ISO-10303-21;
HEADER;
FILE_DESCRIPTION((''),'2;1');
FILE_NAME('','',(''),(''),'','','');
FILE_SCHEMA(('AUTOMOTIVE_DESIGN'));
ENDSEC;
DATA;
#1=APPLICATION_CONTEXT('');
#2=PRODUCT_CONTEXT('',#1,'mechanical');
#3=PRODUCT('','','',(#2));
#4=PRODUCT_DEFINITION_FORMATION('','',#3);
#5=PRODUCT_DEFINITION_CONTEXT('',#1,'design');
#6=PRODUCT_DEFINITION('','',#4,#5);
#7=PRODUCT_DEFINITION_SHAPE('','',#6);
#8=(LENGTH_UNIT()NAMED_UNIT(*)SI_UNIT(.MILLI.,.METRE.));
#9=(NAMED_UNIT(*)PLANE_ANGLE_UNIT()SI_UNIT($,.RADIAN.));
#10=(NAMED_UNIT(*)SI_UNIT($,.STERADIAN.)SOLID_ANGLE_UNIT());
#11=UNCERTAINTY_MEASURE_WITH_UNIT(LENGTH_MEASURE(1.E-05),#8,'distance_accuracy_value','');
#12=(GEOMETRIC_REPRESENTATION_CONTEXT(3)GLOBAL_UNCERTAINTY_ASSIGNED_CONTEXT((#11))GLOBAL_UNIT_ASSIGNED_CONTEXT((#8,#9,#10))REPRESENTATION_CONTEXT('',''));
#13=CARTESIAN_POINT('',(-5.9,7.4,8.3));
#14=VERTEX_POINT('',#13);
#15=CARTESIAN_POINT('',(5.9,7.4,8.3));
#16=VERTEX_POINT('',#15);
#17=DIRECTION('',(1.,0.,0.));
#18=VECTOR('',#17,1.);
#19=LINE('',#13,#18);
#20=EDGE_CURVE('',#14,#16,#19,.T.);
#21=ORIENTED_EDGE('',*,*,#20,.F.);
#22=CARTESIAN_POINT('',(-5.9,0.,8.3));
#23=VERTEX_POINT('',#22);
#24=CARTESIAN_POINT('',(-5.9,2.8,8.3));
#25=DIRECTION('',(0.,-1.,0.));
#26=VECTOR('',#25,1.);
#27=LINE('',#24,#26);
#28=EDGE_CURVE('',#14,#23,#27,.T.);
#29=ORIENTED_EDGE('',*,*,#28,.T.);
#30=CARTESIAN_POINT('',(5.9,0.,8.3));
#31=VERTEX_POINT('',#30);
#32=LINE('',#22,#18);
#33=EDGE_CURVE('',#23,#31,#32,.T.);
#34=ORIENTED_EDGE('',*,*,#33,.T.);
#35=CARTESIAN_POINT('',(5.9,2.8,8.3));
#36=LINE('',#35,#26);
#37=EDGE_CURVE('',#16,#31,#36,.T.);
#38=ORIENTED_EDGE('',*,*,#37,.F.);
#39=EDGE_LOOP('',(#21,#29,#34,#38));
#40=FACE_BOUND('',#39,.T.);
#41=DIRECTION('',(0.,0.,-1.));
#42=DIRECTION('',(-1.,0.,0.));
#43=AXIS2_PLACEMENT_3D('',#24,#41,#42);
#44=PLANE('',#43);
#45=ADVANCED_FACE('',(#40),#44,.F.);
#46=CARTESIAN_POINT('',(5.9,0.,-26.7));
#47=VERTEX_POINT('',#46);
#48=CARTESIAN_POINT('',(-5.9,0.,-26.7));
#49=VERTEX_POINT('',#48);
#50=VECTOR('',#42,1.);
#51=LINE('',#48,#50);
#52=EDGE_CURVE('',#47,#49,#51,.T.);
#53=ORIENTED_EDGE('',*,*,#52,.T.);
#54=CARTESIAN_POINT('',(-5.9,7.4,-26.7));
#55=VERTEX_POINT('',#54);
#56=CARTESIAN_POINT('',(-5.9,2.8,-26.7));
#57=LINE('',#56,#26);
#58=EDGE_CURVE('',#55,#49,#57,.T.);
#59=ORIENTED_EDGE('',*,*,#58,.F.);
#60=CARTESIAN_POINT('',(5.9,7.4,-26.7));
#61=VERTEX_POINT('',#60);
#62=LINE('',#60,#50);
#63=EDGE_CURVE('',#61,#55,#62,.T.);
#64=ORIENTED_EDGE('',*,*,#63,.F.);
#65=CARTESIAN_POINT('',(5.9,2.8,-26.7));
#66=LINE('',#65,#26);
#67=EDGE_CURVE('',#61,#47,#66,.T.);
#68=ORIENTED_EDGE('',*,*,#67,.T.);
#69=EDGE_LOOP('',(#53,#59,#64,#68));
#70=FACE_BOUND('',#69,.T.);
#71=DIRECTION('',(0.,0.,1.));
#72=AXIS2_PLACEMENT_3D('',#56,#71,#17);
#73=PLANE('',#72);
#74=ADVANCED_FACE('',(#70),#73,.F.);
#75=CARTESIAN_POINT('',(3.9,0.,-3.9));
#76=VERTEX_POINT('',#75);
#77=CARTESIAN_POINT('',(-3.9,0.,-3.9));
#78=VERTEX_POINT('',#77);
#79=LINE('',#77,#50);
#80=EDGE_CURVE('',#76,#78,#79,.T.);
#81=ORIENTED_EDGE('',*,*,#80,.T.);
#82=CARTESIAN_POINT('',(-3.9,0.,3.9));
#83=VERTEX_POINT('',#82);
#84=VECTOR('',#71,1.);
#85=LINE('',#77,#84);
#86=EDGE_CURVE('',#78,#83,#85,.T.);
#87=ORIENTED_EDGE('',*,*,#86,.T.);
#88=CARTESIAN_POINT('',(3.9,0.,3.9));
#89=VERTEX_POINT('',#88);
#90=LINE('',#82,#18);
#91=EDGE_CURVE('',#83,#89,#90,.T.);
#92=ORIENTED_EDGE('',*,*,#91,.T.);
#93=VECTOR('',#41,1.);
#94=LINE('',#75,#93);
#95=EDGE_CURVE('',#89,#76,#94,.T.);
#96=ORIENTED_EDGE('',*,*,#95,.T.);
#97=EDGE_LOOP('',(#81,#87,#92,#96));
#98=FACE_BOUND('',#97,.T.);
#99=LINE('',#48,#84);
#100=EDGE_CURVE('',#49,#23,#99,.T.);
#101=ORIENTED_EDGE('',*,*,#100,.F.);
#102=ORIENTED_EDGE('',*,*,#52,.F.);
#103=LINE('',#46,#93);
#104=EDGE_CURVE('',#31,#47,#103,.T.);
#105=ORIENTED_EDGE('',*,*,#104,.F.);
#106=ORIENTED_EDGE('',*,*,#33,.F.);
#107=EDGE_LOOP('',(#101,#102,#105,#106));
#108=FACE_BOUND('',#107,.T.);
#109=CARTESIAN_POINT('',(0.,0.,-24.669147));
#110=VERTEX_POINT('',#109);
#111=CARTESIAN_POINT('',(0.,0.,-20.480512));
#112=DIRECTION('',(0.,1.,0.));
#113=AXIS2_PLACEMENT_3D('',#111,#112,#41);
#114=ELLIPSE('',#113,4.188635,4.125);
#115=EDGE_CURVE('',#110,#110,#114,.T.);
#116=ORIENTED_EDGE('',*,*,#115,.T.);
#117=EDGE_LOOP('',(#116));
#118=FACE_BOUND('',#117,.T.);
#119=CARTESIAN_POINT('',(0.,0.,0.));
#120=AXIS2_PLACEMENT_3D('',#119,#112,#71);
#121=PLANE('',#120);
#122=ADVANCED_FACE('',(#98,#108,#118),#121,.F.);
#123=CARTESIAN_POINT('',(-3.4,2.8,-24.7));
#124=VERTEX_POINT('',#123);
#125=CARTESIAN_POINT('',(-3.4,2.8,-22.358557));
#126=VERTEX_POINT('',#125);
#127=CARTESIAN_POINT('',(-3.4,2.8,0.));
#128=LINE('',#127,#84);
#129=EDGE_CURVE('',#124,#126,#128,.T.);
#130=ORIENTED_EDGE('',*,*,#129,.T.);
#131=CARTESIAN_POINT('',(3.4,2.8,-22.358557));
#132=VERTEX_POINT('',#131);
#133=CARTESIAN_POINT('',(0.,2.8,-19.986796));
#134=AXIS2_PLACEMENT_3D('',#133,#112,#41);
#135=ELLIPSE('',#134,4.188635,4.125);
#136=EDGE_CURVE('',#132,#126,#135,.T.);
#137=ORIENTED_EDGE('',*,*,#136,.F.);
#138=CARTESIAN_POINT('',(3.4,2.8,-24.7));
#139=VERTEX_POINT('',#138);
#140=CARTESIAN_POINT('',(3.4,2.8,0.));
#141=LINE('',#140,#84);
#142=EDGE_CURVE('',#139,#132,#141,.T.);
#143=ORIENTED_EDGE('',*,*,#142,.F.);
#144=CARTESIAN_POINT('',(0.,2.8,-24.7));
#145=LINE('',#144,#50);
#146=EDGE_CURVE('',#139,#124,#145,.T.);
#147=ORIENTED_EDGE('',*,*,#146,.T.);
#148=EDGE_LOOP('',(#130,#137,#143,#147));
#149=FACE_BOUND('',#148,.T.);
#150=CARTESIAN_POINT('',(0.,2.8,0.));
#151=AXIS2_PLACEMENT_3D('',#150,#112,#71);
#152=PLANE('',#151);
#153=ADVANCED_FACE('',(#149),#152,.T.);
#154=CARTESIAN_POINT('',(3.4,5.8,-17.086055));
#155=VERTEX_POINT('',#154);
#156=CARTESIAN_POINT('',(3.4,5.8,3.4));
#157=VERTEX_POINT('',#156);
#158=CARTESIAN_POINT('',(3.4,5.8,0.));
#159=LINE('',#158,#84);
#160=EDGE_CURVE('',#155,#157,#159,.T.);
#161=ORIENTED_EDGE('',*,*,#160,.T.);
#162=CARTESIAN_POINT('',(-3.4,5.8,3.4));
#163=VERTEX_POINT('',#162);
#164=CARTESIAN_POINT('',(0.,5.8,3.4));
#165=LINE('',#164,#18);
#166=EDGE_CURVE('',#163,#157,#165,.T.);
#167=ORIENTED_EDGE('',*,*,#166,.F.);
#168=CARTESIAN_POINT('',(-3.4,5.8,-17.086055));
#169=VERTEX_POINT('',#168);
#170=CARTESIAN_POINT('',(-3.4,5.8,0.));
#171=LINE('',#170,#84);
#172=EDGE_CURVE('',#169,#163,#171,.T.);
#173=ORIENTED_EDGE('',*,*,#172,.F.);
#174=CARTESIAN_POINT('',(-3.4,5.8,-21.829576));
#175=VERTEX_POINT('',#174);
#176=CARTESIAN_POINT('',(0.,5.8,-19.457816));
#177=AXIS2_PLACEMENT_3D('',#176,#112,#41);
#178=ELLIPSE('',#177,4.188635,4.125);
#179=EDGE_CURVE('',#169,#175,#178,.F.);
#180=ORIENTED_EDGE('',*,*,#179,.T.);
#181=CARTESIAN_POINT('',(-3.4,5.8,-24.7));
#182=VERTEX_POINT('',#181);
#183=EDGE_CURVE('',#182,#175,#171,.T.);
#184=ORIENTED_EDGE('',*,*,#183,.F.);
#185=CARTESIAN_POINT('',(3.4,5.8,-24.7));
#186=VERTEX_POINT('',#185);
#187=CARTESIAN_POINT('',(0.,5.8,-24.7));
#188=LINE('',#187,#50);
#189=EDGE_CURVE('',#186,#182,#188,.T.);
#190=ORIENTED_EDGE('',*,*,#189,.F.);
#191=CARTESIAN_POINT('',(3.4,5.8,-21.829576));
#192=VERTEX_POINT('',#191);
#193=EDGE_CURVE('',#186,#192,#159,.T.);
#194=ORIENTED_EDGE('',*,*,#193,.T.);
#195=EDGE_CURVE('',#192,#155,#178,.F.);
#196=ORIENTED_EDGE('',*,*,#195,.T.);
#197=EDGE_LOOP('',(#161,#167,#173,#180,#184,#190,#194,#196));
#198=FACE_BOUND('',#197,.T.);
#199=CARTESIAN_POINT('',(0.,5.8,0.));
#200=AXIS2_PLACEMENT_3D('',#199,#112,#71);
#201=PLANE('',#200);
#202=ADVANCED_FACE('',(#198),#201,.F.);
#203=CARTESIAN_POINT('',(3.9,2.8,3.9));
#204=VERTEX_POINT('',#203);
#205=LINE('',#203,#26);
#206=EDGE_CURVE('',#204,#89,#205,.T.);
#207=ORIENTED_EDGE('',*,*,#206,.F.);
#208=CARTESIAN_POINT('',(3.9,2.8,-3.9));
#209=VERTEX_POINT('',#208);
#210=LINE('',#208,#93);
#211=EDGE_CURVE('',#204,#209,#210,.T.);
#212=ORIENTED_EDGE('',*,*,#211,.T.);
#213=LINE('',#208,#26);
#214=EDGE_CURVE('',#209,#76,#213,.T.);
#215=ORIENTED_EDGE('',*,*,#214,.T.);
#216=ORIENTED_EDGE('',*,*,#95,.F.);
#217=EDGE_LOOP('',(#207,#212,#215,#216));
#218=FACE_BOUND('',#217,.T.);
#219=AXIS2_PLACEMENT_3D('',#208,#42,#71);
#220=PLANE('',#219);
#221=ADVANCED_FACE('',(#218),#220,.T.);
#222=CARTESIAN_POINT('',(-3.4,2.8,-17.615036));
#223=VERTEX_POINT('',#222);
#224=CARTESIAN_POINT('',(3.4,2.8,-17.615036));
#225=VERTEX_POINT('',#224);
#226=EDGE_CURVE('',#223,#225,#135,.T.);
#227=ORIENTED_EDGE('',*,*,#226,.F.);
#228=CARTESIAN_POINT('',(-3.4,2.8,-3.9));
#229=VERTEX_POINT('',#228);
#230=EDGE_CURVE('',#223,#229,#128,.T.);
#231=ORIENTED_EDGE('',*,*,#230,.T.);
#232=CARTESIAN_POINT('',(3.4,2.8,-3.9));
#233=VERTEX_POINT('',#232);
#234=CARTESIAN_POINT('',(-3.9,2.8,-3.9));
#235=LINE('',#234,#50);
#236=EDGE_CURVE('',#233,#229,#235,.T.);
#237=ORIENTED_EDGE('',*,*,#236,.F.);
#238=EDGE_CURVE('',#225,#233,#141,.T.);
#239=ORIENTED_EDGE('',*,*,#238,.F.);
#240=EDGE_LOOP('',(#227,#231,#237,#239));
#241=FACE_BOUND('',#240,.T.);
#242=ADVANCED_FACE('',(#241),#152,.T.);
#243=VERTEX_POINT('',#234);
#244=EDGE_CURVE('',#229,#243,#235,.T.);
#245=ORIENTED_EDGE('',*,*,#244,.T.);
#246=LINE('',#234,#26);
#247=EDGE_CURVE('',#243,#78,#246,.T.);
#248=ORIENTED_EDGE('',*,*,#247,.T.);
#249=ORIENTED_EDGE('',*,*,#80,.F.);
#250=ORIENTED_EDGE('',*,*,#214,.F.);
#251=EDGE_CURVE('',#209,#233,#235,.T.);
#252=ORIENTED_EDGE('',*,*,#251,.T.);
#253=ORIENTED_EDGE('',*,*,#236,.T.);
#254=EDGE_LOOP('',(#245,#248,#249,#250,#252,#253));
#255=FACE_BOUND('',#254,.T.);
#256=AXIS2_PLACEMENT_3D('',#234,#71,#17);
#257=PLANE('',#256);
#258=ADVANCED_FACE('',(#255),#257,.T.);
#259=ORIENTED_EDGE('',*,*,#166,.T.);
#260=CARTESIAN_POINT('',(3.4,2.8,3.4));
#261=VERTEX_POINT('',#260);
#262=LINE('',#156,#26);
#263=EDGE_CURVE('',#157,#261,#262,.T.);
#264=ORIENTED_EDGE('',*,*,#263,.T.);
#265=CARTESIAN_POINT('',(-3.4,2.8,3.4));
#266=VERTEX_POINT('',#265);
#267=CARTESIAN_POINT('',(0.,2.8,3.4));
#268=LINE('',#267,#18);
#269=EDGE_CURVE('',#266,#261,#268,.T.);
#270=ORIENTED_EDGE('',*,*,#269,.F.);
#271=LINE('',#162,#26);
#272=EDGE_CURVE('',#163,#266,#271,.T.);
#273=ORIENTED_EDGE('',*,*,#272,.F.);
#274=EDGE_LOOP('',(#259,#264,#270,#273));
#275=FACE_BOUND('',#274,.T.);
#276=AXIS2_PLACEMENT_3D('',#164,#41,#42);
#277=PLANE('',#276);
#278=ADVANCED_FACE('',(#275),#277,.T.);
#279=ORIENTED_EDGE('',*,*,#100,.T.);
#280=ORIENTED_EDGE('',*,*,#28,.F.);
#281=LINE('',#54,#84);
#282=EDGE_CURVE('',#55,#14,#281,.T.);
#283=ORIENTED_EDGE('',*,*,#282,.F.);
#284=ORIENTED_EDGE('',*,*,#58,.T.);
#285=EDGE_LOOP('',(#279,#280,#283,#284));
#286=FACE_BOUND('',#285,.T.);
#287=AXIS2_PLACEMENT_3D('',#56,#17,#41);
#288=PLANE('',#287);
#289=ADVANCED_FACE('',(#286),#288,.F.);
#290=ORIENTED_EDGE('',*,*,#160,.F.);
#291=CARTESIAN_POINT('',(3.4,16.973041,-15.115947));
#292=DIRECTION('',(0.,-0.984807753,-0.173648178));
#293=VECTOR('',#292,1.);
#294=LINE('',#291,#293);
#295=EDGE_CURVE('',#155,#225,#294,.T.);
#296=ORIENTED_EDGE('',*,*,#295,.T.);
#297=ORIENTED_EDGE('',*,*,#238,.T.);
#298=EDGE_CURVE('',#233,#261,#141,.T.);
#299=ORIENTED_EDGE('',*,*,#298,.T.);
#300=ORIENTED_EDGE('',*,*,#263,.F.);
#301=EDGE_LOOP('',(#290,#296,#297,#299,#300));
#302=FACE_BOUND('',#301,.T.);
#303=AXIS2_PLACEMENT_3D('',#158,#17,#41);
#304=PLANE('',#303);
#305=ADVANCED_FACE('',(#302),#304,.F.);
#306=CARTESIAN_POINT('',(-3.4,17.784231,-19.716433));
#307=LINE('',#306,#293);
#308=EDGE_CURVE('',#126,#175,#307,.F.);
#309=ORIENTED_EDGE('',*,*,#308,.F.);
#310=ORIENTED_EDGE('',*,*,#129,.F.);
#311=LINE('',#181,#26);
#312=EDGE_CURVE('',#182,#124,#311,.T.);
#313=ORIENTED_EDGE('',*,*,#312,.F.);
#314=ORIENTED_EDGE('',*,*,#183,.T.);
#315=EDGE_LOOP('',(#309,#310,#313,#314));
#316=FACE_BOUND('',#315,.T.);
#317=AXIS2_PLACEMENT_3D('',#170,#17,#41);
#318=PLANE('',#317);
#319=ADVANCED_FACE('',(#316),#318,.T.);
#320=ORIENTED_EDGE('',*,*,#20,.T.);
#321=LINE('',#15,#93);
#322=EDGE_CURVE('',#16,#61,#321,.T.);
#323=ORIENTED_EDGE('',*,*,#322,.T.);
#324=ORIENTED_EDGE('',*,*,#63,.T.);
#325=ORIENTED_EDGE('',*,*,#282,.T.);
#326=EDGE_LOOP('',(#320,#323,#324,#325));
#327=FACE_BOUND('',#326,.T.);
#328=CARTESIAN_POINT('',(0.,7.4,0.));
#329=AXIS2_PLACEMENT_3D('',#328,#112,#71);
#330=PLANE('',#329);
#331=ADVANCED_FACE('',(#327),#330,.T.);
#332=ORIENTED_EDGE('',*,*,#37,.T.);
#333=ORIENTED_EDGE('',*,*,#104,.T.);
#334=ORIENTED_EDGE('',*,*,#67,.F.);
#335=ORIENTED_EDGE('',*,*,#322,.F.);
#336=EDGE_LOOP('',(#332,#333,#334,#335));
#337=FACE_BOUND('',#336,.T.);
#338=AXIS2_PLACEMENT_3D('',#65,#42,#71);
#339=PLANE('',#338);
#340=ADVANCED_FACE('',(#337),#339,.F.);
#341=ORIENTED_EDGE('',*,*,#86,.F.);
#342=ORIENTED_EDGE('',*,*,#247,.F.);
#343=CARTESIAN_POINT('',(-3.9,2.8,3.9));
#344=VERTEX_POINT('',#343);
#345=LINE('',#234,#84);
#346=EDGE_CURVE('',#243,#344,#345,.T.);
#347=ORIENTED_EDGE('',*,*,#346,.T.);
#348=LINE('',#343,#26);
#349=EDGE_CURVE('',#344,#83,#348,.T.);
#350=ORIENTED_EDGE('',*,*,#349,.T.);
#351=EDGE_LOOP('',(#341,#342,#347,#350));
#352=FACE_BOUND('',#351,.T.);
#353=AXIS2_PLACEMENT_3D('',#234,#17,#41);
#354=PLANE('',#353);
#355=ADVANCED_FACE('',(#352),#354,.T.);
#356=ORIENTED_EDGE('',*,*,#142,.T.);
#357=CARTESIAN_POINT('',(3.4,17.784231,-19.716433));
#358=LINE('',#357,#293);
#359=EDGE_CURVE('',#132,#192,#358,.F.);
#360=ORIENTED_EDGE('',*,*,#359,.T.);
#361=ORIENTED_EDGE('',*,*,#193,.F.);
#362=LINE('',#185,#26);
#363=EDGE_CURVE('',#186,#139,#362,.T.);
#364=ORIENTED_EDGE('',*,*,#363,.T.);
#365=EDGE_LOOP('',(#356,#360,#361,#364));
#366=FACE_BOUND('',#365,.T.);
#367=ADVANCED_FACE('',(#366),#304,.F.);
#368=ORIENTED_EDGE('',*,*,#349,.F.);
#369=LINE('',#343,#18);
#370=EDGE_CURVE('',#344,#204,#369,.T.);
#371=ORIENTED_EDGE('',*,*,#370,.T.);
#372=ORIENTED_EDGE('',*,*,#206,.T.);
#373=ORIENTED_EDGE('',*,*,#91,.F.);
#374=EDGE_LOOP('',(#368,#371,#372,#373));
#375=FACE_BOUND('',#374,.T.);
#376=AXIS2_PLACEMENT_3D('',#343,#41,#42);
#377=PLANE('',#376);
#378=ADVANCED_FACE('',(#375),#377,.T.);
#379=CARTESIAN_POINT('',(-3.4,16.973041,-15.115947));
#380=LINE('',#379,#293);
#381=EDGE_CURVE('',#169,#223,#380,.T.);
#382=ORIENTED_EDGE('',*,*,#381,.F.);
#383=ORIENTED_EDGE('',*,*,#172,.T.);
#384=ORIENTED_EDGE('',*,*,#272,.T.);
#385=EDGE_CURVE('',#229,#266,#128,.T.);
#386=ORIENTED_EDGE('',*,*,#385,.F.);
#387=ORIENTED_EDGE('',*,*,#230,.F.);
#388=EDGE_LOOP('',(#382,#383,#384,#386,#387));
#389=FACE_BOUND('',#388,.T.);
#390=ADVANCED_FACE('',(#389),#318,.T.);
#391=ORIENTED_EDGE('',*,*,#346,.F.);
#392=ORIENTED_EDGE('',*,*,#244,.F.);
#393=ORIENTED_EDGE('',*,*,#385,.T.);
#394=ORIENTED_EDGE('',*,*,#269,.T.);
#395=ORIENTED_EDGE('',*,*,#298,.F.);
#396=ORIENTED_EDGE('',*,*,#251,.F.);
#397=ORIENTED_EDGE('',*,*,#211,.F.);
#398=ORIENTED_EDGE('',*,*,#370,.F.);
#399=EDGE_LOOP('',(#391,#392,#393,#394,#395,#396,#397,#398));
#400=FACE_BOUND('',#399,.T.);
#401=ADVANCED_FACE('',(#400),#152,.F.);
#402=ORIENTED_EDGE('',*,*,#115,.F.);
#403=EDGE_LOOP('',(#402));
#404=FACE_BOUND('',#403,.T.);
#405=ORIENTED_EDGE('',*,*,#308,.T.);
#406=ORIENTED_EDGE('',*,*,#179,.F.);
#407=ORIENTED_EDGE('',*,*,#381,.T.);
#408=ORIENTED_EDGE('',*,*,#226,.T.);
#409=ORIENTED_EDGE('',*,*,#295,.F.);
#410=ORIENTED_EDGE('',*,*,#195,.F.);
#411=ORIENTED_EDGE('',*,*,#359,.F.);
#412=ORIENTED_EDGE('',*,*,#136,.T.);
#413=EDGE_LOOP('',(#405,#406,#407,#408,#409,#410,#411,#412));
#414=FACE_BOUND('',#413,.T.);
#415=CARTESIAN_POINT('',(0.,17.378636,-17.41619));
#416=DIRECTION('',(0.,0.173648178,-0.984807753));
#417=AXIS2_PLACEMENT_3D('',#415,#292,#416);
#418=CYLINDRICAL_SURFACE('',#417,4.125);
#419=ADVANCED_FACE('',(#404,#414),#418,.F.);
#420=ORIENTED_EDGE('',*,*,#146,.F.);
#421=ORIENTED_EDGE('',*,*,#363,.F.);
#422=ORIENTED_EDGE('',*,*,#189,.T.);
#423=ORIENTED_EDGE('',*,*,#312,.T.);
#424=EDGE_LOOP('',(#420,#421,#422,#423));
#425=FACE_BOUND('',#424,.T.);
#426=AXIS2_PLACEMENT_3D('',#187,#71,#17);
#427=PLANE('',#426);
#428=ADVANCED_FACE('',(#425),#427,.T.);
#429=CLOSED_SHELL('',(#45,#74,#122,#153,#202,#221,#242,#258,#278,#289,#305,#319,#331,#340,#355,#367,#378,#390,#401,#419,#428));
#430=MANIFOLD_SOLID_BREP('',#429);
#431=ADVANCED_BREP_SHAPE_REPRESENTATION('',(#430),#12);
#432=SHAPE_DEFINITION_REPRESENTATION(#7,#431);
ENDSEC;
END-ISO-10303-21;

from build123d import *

# Parameters (mm, degrees)
SKETCH1_W           = 11.8
SKETCH1_H           = 35
SKETCH1_W_2         = 7.8
SKETCH1_H_2         = 7.8
BOSS_EXTRUDE1_DEPTH = 2.8
SKETCH2_W           = 11.8
SKETCH2_H           = 35
BOSS_EXTRUDE2_DEPTH = 3
SKETCH3_W           = 11.8
SKETCH3_H           = 35
BOSS_EXTRUDE3_DEPTH = 1.6
CUT_EXTRUDE1_REACH  = 15.365
SKETCH4_R           = 4.125


with BuildPart() as part:
    # Sketch1 → Boss-Extrude1 (new body)
    with BuildSketch(Plane(origin=(0, 0, 0), x_dir=(1, 0, 0), z_dir=(0, 1, 0))):
        with Locations((0, 9.2)):
            Rectangle(SKETCH1_W, SKETCH1_H)
        Rectangle(SKETCH1_W_2, SKETCH1_H_2, mode=Mode.SUBTRACT)
    extrude(amount=BOSS_EXTRUDE1_DEPTH)

    # Sketch2 → Boss-Extrude2 (add)
    with BuildSketch(Plane(origin=(0, 2.8, 0), x_dir=(1, 0, 0), z_dir=(0, 1, 0))):
        with Locations((0, 9.2)):
            Rectangle(SKETCH2_W, SKETCH2_H)
        Polygon((-3.9, 3.9), (-3.4, 3.9), (-3.4, 24.7), (3.4, 24.7), (3.4, 3.9), (3.9, 3.9), (3.9, -3.9), (-3.9, -3.9), align=None, mode=Mode.SUBTRACT)
        Polygon((3.4, -3.4), (-3.4, -3.4), (-3.4, 3.4), (-3.4, 3.9), (-3.9, 3.9), (-3.9, -3.9), (3.9, -3.9), (3.9, 3.9), (3.4, 3.9), (3.4, 3.4), align=None)
    extrude(amount=BOSS_EXTRUDE2_DEPTH)

    # Sketch3 → Boss-Extrude3 (add)
    with BuildSketch(Plane(origin=(0, 5.8, 0), x_dir=(1, 0, 0), z_dir=(0, 1, 0))):
        with Locations((0, 9.2)):
            Rectangle(SKETCH3_W, SKETCH3_H)
    extrude(amount=BOSS_EXTRUDE3_DEPTH)

    # Cut-Extrude1: up to this face of the body (flat: up to its plane)
    cut_extrude1_end = Plane(part.part.faces().sort_by_distance((0, 5.8, -10.65))[0])
    # Sketch4 → Cut-Extrude1 (cut, up to the picked face)
    with BuildSketch(Plane(origin=(0, -4.565968913, -0.805103513), x_dir=(-1, 0, 0), z_dir=(0, -0.984807753, -0.173648178)), mode=Mode.PRIVATE) as cut_extrude1_sk1:
        with Locations((0, 20.169367005)):
            Circle(SKETCH4_R)
    cut_extrude1_tool1 = split(extrude(cut_extrude1_sk1.sketch, amount=-CUT_EXTRUDE1_REACH, mode=Mode.PRIVATE), bisect_by=cut_extrude1_end, keep=Keep.BOTH, mode=Mode.PRIVATE)
    add(cut_extrude1_tool1.solids().sort_by_distance((0, -1.063595, -20.668053))[0], mode=Mode.SUBTRACT)


solid = part.part
